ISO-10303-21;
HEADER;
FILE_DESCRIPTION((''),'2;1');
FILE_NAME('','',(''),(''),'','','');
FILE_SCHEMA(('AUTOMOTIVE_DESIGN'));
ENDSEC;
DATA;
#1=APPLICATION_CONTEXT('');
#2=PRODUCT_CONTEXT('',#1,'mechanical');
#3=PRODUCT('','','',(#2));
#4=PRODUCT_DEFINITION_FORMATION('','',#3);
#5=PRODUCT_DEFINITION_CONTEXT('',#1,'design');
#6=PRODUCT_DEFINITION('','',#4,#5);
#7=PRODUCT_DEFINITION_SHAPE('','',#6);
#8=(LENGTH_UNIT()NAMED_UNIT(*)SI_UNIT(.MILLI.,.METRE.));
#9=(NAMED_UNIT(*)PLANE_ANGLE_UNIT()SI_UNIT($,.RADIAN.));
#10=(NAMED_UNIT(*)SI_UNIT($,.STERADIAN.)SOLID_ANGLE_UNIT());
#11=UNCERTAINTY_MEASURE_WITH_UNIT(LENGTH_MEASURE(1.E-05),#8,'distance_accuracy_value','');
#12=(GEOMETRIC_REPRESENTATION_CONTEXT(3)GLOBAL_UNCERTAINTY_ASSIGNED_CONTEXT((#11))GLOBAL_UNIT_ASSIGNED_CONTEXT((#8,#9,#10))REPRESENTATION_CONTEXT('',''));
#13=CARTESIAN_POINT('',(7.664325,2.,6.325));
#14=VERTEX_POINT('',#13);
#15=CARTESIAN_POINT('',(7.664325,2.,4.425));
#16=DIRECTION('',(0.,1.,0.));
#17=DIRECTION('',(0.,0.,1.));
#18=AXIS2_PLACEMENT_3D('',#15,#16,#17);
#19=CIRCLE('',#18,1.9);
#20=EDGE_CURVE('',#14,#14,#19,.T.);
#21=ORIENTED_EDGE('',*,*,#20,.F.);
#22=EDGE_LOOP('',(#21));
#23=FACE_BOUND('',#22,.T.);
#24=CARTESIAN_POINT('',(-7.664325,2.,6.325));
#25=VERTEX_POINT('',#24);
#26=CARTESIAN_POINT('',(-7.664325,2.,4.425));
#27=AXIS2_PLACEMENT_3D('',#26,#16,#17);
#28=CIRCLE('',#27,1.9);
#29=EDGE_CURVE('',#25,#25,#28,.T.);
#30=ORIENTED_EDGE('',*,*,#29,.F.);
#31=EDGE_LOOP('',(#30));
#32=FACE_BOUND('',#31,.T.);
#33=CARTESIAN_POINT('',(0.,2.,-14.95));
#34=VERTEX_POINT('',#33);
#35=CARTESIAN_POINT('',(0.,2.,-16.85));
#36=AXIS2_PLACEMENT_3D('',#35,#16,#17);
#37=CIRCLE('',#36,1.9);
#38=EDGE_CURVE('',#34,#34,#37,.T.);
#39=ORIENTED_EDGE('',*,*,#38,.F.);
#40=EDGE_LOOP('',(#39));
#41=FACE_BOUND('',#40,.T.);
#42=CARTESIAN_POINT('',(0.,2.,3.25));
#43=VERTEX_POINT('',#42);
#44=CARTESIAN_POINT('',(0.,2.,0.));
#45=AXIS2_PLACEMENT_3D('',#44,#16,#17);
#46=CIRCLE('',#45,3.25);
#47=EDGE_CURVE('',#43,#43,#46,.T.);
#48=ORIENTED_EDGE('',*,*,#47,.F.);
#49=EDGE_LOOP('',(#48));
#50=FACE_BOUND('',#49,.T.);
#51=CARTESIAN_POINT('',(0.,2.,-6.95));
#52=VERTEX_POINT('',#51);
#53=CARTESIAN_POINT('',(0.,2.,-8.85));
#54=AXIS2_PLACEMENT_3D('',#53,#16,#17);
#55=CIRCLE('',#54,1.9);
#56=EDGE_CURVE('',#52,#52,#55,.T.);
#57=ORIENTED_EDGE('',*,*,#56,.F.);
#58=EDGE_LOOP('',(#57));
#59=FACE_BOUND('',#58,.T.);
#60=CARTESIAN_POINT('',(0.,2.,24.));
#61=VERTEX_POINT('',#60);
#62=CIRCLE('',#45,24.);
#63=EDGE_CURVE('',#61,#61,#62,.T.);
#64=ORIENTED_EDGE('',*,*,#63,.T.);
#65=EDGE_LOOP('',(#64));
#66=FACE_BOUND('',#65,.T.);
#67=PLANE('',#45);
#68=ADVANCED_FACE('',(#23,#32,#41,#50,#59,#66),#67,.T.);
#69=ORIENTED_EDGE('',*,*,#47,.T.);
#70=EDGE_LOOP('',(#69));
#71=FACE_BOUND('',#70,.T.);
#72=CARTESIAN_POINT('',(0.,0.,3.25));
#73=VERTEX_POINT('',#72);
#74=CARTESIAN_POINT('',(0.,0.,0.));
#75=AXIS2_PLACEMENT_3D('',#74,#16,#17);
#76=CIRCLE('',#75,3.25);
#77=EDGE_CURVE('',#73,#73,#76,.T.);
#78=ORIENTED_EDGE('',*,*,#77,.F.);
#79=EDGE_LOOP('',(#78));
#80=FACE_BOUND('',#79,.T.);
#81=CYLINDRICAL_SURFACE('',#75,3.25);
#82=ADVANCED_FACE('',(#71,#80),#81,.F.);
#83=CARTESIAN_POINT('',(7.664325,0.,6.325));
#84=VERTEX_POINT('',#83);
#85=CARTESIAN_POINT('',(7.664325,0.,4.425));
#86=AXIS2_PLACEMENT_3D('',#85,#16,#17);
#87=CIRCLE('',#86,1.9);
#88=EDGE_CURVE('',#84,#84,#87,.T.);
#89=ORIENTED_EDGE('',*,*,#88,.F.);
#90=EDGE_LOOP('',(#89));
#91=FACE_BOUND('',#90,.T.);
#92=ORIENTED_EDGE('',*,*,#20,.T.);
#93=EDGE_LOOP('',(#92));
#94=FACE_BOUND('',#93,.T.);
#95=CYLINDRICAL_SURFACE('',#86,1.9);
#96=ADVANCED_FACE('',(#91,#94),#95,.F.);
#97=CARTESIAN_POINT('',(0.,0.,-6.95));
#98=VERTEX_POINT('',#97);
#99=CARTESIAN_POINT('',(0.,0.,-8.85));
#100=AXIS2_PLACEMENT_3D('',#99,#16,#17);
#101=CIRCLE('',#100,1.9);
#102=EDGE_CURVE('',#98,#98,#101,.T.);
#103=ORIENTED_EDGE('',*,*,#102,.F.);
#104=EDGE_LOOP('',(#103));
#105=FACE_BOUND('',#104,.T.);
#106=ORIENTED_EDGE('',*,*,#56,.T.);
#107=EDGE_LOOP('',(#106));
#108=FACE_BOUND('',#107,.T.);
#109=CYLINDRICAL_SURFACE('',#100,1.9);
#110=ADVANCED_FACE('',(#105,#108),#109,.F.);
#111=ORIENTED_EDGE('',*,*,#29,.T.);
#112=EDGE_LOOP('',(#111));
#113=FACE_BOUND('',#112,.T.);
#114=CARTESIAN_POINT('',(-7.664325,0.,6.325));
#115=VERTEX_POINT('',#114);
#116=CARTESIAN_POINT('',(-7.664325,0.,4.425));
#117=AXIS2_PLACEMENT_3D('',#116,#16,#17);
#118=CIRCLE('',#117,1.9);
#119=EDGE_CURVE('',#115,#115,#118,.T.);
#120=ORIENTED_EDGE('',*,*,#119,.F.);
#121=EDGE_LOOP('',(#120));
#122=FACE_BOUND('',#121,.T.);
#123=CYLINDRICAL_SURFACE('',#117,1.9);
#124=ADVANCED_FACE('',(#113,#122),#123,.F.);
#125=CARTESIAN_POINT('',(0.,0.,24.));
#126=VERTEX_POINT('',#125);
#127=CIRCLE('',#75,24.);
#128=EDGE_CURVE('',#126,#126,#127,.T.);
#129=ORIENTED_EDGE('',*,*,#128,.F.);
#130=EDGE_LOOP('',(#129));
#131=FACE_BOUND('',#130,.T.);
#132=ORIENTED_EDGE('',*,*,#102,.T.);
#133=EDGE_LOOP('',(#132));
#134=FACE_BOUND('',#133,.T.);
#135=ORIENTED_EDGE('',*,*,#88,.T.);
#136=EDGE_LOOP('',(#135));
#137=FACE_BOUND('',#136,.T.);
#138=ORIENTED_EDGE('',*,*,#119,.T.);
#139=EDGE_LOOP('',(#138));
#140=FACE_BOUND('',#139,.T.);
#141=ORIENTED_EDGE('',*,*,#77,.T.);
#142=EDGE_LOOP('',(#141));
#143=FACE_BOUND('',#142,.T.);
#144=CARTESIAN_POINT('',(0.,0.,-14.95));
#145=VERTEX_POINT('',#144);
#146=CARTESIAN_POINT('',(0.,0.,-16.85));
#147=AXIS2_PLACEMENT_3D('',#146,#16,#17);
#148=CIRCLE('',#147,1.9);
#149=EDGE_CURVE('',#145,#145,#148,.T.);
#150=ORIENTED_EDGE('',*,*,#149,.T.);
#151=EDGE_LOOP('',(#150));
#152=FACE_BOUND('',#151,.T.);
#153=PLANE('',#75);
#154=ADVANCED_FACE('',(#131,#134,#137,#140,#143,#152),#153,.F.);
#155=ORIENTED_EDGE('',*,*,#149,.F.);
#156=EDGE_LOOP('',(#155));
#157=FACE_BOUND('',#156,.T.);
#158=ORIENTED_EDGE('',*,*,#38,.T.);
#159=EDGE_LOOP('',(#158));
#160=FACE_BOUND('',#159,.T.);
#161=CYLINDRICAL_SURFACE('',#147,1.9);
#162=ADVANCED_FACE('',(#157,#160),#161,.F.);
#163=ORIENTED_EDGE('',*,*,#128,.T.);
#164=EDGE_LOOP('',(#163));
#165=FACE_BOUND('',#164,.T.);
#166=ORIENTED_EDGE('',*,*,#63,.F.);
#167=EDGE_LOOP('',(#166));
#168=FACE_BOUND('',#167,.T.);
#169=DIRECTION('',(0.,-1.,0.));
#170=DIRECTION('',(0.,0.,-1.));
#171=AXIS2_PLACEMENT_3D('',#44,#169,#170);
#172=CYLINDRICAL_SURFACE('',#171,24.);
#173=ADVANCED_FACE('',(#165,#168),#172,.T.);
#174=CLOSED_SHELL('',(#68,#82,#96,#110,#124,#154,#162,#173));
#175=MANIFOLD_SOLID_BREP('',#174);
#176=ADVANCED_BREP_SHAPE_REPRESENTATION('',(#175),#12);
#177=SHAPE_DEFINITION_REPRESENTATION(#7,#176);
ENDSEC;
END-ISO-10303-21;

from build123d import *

# Parameters (mm, degrees)
SKETCH1_R           = 24
BOSS_EXTRUDE1_DEPTH = 2
SKETCH2_R           = 3.25
SKETCH2_R_2         = 1.9
CUT_EXTRUDE1_DEPTH  = 3


with BuildPart() as part:
    # Sketch1 → Boss-Extrude1 (new body)
    with BuildSketch(Plane(origin=(0, 0, 0), x_dir=(1, 0, 0), z_dir=(0, 1, 0))):
        Circle(SKETCH1_R)
    extrude(amount=BOSS_EXTRUDE1_DEPTH)

    # Sketch2 → Cut-Extrude1 (cut, through all)
    with BuildSketch(Plane(origin=(0, 2, 0), x_dir=(1, 0, 0), z_dir=(0, 1, 0))):
        Circle(SKETCH2_R)
        with Locations((0, 8.85)):
            Circle(SKETCH2_R_2)
        with Locations((7.664324823, -4.425)):
            Circle(SKETCH2_R_2)
        with Locations((-7.664324823, -4.425)):
            Circle(SKETCH2_R_2)
        with Locations((0, 16.85)):
            Circle(SKETCH2_R_2)
    extrude(amount=-CUT_EXTRUDE1_DEPTH, mode=Mode.SUBTRACT)


solid = part.part
